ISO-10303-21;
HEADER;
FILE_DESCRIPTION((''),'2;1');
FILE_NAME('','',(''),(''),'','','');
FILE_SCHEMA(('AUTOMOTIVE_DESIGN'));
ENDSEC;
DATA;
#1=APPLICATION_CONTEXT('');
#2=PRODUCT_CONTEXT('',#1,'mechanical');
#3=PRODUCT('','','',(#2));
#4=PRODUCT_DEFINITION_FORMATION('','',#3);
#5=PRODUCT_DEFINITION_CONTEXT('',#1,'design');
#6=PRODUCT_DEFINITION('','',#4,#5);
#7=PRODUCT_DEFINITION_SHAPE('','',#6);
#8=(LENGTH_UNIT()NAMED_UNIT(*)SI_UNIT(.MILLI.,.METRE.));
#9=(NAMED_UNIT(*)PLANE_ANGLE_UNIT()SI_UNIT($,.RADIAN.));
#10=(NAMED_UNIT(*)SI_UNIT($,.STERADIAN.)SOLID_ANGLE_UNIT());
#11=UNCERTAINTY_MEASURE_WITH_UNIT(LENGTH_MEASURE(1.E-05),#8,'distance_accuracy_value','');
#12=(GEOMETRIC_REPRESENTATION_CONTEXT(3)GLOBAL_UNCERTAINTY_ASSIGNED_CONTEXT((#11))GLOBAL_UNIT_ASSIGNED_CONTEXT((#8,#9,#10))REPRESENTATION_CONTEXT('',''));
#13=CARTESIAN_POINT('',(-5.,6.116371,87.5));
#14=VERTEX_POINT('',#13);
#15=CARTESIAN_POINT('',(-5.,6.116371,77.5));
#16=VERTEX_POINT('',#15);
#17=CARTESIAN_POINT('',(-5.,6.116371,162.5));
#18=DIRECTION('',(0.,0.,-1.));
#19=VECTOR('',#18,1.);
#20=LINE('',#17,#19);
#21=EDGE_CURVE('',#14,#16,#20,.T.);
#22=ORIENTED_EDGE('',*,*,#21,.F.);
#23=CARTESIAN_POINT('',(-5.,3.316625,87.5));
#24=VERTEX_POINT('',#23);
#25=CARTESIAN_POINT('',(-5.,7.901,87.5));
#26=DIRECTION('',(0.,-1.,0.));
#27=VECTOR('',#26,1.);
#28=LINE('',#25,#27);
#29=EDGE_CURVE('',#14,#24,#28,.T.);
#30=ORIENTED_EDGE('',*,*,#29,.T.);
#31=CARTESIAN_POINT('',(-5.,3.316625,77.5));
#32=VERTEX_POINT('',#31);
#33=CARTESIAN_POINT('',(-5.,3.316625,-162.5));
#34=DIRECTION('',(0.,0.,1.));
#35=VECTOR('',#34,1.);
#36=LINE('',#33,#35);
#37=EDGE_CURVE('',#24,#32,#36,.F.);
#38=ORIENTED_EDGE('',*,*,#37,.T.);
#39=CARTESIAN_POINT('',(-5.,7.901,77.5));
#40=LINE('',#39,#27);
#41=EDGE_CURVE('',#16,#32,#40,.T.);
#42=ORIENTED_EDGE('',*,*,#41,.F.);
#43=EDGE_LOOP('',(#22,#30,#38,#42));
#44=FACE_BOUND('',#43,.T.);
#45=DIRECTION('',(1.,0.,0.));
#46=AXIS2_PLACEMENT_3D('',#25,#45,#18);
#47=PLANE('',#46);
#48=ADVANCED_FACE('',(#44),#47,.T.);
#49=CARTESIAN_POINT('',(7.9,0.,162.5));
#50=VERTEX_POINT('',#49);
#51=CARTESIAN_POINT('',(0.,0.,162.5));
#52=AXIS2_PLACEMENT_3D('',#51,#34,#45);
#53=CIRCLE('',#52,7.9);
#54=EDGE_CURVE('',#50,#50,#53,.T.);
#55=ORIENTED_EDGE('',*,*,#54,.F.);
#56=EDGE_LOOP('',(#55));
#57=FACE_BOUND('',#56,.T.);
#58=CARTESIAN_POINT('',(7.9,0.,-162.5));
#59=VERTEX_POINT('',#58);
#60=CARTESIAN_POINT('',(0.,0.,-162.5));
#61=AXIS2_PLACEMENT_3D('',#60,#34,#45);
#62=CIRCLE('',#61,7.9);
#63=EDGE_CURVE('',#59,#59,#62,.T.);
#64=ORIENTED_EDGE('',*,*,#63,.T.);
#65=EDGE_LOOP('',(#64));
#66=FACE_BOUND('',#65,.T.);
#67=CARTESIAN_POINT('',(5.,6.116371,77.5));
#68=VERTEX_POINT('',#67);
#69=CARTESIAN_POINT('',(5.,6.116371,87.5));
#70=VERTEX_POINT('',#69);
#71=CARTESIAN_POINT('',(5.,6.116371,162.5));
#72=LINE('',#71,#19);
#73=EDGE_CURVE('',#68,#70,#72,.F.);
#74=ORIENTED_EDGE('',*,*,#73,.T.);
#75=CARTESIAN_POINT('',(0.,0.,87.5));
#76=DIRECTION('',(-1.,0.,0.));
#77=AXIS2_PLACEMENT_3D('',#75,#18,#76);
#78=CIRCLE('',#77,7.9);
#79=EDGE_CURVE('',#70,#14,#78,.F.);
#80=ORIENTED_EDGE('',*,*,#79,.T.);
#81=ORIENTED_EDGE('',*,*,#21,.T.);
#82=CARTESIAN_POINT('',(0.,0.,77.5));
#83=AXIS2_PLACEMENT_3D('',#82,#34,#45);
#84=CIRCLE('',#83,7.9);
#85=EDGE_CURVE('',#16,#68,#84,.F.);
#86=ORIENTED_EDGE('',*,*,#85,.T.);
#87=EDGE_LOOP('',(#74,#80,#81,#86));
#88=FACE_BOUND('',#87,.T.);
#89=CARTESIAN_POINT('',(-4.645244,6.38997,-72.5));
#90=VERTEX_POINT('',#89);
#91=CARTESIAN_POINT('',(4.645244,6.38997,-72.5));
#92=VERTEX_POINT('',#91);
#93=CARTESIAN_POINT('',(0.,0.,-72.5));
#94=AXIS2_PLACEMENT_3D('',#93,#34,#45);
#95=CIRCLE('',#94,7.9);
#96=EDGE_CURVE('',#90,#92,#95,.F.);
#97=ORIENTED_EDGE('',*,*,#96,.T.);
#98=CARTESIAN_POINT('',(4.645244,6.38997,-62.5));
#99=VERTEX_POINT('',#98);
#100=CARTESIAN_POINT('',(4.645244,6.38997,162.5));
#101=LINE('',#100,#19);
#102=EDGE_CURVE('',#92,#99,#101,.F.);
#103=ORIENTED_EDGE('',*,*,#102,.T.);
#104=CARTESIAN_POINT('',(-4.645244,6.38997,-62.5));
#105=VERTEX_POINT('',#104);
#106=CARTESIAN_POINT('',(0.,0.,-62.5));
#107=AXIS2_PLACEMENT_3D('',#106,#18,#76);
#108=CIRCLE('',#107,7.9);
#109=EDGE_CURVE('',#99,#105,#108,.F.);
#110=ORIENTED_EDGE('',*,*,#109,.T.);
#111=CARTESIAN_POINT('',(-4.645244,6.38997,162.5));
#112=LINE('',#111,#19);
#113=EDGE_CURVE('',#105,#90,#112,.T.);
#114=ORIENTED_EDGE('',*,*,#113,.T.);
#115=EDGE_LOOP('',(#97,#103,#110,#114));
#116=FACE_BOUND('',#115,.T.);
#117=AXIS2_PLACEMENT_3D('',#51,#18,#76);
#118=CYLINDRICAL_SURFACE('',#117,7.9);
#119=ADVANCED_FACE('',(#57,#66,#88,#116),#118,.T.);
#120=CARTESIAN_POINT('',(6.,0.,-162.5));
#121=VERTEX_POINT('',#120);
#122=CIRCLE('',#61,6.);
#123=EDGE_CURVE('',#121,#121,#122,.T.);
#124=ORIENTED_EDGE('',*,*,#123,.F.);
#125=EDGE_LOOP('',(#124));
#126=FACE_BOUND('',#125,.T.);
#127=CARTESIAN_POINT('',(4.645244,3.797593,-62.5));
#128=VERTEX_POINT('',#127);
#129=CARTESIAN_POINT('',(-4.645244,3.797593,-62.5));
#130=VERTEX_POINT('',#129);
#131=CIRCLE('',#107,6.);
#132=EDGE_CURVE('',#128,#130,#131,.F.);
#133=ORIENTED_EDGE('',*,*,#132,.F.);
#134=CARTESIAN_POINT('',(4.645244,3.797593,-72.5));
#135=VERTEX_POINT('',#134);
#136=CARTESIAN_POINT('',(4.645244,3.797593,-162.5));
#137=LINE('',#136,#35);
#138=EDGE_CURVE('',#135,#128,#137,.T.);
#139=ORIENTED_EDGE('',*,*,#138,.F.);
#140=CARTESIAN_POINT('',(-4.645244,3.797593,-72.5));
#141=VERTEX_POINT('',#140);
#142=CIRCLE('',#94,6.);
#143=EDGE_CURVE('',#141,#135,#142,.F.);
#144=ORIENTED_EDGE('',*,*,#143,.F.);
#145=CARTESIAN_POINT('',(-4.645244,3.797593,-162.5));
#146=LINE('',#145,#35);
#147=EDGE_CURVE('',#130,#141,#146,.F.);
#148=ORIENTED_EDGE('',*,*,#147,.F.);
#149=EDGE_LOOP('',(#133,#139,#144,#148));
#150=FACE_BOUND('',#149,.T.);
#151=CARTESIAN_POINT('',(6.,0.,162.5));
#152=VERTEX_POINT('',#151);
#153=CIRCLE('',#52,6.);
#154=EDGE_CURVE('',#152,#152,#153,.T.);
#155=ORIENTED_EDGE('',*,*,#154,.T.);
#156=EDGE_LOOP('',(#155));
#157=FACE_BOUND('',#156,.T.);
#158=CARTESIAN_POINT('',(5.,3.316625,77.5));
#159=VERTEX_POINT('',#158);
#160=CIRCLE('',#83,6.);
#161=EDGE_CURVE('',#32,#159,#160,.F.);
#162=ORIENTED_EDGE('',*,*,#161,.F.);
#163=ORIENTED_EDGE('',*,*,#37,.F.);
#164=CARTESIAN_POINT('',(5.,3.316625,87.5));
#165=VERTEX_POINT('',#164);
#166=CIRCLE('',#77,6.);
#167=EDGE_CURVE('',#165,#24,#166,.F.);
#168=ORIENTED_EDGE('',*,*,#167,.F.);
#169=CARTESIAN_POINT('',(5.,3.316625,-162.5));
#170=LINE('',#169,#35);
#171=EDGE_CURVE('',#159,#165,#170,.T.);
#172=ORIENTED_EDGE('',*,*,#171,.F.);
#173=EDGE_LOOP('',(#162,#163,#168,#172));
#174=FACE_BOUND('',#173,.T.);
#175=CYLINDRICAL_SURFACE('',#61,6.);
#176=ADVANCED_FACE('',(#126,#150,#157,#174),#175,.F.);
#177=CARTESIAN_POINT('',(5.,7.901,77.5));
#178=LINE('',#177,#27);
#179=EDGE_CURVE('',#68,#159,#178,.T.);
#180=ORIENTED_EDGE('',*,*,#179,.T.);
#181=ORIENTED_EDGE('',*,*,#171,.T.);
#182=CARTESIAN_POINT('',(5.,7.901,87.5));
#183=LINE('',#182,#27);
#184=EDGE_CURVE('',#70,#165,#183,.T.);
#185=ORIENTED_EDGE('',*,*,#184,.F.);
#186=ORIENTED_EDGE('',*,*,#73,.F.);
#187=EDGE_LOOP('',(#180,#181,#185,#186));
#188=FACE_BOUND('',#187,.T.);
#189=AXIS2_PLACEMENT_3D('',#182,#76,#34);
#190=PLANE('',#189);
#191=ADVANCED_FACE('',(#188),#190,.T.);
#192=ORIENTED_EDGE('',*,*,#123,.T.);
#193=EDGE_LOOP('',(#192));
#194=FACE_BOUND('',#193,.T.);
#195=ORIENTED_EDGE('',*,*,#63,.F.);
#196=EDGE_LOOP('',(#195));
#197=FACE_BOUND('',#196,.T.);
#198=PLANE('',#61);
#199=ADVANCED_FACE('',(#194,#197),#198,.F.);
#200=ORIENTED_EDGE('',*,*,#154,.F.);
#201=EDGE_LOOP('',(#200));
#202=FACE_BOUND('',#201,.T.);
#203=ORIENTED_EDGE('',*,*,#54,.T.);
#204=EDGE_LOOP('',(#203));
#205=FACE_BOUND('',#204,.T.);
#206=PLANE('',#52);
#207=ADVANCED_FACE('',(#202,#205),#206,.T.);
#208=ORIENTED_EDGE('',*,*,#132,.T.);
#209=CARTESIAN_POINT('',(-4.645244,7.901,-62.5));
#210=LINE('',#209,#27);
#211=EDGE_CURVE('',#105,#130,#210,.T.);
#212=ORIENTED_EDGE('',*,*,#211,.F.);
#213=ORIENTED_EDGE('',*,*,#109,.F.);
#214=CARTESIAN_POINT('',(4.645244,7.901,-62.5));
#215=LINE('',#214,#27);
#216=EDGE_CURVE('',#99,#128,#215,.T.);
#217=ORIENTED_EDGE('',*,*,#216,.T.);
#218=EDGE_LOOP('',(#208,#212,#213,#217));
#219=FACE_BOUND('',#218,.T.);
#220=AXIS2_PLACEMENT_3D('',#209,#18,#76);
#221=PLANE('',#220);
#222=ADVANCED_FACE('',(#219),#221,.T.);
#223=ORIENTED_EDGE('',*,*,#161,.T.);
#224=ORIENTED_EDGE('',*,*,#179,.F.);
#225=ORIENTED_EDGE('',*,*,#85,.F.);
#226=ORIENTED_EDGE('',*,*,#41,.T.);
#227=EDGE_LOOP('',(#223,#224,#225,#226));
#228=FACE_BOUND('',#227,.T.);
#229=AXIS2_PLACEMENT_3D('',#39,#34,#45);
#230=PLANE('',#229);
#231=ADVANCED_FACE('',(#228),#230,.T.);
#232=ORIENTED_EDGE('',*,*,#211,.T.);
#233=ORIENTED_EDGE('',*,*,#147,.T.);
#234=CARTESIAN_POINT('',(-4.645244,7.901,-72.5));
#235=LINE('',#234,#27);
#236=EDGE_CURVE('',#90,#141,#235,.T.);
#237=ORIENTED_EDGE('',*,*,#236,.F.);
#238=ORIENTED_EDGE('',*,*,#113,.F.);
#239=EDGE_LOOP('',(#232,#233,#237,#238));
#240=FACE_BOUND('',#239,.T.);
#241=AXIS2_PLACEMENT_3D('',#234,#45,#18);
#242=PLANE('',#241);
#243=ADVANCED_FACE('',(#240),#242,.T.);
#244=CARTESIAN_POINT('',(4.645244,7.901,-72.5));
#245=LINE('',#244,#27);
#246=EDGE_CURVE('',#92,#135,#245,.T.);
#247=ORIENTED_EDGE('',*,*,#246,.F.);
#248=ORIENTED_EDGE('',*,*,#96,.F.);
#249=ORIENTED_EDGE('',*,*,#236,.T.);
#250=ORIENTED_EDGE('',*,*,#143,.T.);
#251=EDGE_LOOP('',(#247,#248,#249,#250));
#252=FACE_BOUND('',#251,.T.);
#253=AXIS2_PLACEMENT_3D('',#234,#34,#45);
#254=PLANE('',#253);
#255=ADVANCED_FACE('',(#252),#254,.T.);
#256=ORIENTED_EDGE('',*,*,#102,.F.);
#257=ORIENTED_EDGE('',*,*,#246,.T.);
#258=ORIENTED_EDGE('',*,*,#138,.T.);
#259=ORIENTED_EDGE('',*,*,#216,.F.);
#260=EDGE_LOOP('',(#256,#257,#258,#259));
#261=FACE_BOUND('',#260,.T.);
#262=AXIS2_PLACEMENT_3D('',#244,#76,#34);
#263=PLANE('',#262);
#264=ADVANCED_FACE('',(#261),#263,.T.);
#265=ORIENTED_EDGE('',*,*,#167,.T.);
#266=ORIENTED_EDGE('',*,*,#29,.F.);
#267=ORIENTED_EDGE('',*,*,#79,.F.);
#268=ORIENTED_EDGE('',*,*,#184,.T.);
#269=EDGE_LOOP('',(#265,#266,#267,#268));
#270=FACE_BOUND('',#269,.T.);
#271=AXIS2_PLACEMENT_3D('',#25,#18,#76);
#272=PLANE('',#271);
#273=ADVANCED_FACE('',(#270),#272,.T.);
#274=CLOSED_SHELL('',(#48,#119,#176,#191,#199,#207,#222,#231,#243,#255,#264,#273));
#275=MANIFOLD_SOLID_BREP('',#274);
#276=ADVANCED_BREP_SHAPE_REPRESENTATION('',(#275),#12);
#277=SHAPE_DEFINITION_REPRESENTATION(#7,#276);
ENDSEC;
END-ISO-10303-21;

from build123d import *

# Parameters (mm, degrees)
CROQUIS1_R                 = 7.9
SALIENTE_EXTRUIR1_DEPTH    = 162.5
CROQUIS3_R                 = 6
CORTAR_EXTRUIR1_DEPTH      = 326.191974071
CORTAR_EXTRUIR2_REACH      = 164.884
CORTAR_EXTRUIR2_END_RADIUS = 7.9
CROQUIS4_W                 = 10
CROQUIS4_H                 = 10
CORTAR_EXTRUIR3_REACH      = 164.884
CORTAR_EXTRUIR3_END_RADIUS = 7.9
CROQUIS5_W                 = 9.290487028
CROQUIS5_H                 = 10


with BuildPart() as part:
    # Croquis1 → Saliente-Extruir1 (new, symmetric)
    with BuildSketch(Plane.XY):
        Circle(CROQUIS1_R)
    extrude(amount=SALIENTE_EXTRUIR1_DEPTH, both=True)

    # Croquis3 → Cortar-Extruir1 (cut, through all)
    with BuildSketch(Plane.XY.offset(162.5)):
        Circle(CROQUIS3_R)
    extrude(amount=-CORTAR_EXTRUIR1_DEPTH, mode=Mode.SUBTRACT)

    # Cortar-Extruir2: up to this cylinder (the profile starts inside it)
    cortar_extruir2_end = Plane(origin=(0, 0, 82.5), z_dir=(0, 0, -1)) * Cylinder(CORTAR_EXTRUIR2_END_RADIUS, 346.568, mode=Mode.PRIVATE)
    # Croquis4 → Cortar-Extruir2 (cut, up to the surface)
    with BuildSketch(Plane(origin=(0, 0, 0), x_dir=(1, 0, 0), z_dir=(0, 1, 0)), mode=Mode.PRIVATE) as cortar_extruir2_sk1:
        with Locations((0, -82.5)):
            Rectangle(CROQUIS4_W, CROQUIS4_H)
    cortar_extruir2_tool1 = extrude(cortar_extruir2_sk1.sketch, amount=CORTAR_EXTRUIR2_REACH, mode=Mode.PRIVATE) & cortar_extruir2_end
    add(cortar_extruir2_tool1.solids().sort_by_distance((0, 0, 82.5))[0], mode=Mode.SUBTRACT)

    # Cortar-Extruir3: up to this cylinder (the profile starts inside it)
    cortar_extruir3_end = Plane(origin=(0, 0, -67.5), z_dir=(0, 0, -1)) * Cylinder(CORTAR_EXTRUIR3_END_RADIUS, 346.568, mode=Mode.PRIVATE)
    # Croquis5 → Cortar-Extruir3 (cut, up to the surface)
    with BuildSketch(Plane(origin=(0, 0, 0), x_dir=(1, 0, 0), z_dir=(0, 1, 0)), mode=Mode.PRIVATE) as cortar_extruir3_sk1:
        with Locations((0, 67.5)):
            Rectangle(CROQUIS5_W, CROQUIS5_H)
    cortar_extruir3_tool1 = extrude(cortar_extruir3_sk1.sketch, amount=CORTAR_EXTRUIR3_REACH, mode=Mode.PRIVATE) & cortar_extruir3_end
    add(cortar_extruir3_tool1.solids().sort_by_distance((0, 0, -67.5))[0], mode=Mode.SUBTRACT)


solid = part.part
